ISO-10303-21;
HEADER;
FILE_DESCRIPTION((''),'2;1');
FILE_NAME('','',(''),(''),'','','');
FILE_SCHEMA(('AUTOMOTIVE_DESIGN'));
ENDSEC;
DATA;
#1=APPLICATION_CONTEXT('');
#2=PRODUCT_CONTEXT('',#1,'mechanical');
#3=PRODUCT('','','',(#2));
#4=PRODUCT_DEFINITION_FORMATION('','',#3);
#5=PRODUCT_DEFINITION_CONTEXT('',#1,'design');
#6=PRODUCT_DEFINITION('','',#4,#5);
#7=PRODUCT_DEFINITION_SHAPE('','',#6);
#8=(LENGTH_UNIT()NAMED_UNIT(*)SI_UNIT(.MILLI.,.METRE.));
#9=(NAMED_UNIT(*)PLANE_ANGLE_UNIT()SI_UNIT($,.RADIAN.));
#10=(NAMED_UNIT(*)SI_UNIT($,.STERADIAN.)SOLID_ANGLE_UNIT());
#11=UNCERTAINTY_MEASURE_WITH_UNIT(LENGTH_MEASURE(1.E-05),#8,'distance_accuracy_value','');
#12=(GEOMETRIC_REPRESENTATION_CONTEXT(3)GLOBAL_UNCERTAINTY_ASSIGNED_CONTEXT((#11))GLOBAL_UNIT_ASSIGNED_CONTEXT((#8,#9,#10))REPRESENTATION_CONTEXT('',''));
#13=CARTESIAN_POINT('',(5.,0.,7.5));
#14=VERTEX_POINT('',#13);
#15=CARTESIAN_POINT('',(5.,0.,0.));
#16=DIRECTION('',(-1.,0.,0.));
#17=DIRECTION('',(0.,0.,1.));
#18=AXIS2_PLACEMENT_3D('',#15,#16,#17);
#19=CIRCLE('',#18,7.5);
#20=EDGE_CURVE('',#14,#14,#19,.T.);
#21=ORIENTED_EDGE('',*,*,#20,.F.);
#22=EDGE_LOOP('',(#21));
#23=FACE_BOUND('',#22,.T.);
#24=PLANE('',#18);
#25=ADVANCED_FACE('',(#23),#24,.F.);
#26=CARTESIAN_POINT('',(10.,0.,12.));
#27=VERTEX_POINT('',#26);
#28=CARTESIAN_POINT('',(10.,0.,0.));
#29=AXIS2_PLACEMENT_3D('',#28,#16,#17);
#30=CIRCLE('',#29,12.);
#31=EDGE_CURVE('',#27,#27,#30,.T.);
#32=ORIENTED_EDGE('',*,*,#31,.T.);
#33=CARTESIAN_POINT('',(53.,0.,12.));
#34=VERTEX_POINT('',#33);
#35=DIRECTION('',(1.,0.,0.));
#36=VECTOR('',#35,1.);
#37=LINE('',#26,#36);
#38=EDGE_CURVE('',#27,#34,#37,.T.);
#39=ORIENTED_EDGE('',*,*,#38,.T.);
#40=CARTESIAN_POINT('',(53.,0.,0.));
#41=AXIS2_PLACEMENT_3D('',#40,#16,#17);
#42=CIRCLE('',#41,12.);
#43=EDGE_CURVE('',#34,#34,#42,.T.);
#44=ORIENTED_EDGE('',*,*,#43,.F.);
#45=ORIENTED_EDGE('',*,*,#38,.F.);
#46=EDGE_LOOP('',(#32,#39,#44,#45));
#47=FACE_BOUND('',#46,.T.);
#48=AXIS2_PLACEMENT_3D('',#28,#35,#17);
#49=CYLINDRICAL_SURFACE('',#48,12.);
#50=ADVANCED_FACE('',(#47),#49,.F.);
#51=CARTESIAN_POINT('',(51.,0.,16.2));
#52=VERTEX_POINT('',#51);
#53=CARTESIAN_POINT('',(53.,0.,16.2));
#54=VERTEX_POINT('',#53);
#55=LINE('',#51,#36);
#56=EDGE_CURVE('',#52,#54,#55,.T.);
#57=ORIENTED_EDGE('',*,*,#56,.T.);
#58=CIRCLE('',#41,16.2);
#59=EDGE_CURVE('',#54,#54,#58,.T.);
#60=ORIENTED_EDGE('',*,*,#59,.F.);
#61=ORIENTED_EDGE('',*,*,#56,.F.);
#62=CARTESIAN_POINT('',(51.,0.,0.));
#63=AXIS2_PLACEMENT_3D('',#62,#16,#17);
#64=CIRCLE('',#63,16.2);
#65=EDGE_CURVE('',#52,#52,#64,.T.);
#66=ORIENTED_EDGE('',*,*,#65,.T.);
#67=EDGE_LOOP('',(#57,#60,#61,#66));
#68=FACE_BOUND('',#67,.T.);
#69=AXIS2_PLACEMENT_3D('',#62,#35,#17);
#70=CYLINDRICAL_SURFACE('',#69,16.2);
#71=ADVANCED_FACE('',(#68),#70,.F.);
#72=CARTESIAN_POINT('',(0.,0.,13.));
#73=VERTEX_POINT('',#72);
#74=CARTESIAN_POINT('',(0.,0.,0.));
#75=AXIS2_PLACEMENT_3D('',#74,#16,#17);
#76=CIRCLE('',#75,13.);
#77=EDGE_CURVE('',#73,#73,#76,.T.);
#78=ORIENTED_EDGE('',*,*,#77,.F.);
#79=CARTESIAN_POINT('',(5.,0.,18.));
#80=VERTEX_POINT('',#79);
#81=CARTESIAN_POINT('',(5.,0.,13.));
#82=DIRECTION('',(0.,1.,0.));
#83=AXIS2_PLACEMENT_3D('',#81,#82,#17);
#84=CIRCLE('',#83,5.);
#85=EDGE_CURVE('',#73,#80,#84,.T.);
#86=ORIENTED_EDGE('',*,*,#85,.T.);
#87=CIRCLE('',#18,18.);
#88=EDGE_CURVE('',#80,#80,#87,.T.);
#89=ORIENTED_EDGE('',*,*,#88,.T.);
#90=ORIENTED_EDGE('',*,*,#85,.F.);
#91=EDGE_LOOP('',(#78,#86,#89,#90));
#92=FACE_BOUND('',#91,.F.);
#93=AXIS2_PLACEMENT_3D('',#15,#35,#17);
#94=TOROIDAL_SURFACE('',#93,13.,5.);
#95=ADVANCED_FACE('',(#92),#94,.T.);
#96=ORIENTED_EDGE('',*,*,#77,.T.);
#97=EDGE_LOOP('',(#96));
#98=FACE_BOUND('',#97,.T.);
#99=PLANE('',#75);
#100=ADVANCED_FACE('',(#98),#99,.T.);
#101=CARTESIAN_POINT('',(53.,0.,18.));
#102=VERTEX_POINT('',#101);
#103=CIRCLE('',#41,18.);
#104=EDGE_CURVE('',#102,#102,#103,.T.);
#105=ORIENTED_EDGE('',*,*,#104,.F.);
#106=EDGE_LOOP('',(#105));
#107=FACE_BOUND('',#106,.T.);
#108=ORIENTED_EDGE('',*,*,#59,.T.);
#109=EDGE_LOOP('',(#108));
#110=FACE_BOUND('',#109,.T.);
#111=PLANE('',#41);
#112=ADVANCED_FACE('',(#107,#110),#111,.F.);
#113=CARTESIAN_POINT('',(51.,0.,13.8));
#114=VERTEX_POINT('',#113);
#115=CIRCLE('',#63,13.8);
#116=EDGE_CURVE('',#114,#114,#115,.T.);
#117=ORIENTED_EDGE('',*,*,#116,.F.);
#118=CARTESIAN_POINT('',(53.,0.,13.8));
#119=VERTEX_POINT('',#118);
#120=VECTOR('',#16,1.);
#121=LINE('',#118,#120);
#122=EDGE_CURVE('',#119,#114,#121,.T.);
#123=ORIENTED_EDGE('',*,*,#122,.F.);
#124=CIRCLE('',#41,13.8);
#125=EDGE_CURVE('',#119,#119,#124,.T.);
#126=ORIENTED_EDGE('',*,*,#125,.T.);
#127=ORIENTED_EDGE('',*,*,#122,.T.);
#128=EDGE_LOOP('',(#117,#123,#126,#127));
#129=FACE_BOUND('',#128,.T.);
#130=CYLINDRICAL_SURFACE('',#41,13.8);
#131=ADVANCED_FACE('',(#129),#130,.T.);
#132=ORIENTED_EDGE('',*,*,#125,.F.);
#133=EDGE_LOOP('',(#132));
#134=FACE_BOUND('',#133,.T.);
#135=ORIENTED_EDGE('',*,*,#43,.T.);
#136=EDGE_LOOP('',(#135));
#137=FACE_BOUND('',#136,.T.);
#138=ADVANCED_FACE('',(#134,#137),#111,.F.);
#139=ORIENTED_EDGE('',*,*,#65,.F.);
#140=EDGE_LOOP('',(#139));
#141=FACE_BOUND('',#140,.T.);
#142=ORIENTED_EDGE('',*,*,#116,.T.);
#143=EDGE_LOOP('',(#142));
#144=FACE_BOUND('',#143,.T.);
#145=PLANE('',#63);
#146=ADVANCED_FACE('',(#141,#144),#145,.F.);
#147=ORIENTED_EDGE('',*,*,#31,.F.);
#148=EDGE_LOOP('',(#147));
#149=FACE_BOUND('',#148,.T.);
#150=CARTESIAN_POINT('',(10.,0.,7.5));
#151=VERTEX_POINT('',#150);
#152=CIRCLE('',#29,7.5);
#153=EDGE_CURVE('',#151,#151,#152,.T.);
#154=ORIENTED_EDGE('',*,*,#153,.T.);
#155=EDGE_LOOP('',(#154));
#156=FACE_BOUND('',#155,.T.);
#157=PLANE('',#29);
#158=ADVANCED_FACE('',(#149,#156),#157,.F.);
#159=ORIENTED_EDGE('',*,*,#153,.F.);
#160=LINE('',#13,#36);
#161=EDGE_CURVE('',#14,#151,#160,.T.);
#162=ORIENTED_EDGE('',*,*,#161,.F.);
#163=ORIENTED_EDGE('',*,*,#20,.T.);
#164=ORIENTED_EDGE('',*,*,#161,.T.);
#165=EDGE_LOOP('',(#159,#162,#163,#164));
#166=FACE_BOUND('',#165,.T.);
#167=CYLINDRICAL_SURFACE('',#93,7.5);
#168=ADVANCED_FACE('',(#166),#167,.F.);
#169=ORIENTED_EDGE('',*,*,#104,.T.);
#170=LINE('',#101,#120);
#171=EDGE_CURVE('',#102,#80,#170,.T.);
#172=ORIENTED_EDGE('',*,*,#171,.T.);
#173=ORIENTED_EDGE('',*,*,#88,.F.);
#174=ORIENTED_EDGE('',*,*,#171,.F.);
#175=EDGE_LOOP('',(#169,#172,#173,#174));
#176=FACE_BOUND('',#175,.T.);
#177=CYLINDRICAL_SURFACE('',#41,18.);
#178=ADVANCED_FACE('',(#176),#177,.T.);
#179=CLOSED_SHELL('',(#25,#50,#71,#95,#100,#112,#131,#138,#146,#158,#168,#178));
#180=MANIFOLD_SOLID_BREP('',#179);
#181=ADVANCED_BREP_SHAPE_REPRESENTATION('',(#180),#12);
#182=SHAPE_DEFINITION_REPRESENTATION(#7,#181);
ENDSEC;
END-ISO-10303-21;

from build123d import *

# Parameters (mm, degrees)
F2_R = 5


with BuildPart() as f1:
    # F0 (on Front) → F1 (revolve)
    with BuildSketch(Plane.XZ):
        Polygon((0, 18), (0, 0), (5, 0), (5, 7.5), (10, 7.5), (10, 12), (53, 12), (53, 13.8), (51, 13.8), (51, 16.2), (53, 16.2), (53, 18), align=None)
    revolve(axis=Axis((2.5, 0, 0), (-1, 0, 0)))

    # F2
    f2_edges = [f1.edges().sort_by_distance(p)[0] for p in [
        (0, 0, -18),
    ]]
    fillet(f2_edges, radius=F2_R)


solid = f1.part
